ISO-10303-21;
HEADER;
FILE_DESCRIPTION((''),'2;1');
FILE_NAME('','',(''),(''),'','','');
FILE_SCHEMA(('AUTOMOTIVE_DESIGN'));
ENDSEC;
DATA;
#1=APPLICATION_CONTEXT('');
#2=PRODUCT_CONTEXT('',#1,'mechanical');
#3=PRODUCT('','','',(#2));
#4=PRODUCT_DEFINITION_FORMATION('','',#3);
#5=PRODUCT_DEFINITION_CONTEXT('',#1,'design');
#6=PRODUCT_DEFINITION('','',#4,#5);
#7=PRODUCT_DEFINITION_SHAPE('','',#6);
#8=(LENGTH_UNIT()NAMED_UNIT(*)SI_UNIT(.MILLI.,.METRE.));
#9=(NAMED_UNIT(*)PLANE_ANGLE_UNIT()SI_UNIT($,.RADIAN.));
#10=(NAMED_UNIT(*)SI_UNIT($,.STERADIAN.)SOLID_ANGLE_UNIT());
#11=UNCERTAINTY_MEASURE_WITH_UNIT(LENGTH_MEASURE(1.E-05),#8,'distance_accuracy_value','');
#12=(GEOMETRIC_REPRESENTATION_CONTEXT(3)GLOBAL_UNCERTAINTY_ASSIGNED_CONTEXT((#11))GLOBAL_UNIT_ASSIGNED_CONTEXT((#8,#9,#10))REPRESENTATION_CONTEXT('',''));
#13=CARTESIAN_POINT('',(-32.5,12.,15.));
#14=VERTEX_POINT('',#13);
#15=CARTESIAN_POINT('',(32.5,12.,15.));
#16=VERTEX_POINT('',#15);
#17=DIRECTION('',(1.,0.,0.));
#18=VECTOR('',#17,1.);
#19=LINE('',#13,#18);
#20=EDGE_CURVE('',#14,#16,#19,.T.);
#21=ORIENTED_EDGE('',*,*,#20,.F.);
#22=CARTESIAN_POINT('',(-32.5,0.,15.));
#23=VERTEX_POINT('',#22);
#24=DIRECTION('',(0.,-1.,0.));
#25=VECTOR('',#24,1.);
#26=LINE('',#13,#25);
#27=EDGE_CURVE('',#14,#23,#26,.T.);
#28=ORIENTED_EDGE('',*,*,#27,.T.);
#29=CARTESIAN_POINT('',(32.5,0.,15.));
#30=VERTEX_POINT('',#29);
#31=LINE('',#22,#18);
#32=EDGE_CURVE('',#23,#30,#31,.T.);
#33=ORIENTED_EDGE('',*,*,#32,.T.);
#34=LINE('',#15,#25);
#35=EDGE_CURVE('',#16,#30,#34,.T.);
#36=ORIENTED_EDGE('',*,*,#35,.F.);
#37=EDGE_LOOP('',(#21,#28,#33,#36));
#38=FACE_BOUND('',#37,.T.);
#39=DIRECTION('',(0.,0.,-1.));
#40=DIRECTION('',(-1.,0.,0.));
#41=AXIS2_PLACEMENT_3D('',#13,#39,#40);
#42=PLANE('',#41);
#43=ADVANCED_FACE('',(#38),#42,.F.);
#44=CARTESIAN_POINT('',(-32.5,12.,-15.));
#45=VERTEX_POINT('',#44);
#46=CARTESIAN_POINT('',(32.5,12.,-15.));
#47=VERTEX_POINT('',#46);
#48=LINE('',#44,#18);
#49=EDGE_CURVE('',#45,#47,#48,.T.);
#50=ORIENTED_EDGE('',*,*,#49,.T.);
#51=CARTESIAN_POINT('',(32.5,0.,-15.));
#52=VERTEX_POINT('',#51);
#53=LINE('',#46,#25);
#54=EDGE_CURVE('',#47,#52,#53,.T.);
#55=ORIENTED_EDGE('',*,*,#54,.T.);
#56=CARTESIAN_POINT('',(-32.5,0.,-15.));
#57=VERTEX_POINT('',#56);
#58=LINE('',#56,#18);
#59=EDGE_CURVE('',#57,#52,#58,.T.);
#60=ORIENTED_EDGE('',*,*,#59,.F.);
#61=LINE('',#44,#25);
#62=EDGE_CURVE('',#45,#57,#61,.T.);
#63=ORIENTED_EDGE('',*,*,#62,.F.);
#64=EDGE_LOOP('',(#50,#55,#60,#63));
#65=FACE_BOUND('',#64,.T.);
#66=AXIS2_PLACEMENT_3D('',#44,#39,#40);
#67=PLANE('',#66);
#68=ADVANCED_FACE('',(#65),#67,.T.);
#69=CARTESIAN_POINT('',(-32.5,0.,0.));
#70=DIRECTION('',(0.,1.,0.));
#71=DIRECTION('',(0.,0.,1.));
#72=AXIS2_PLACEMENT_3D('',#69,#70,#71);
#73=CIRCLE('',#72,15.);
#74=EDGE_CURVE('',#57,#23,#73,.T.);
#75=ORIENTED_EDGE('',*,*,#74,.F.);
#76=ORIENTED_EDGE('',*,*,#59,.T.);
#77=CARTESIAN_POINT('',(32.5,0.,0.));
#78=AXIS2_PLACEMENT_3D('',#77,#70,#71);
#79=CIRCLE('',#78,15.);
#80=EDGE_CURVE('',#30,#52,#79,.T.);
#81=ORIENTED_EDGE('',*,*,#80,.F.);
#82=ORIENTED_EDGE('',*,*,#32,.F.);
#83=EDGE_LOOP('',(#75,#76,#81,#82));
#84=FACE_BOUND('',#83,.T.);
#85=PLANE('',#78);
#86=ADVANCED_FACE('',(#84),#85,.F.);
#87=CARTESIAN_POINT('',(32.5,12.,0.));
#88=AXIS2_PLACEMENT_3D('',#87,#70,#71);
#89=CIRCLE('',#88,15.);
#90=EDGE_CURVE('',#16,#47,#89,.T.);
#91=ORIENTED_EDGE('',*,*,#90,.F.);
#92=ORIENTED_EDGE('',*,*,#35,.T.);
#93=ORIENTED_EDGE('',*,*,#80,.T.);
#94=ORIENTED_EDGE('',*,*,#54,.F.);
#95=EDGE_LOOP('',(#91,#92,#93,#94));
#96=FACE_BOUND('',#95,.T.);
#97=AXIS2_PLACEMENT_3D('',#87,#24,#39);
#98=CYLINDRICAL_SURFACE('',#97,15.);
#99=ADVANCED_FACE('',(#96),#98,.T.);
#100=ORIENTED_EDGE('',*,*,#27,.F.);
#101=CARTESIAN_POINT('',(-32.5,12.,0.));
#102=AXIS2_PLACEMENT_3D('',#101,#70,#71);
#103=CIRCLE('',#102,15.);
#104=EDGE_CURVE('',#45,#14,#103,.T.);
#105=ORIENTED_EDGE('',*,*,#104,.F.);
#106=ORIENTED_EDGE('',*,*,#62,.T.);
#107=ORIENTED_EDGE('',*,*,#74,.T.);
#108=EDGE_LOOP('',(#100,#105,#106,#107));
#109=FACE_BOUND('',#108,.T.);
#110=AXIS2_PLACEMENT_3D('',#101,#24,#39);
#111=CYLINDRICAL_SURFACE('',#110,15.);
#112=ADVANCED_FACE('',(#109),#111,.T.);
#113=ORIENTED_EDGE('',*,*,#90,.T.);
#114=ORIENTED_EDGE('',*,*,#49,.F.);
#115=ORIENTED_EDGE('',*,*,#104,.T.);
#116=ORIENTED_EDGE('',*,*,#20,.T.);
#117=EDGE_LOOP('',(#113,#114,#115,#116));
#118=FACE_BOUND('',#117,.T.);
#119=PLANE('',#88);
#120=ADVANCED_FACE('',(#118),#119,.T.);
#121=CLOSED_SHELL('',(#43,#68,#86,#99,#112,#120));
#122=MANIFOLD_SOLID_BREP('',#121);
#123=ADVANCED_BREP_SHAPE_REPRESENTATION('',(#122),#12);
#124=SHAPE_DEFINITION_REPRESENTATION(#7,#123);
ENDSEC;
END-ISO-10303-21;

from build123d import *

# Parameters (mm, degrees)
BOSS_EXTRUDE1_DEPTH = 12


with BuildPart() as part:
    # Sketch1 → Boss-Extrude1 (new body)
    with BuildSketch(Plane(origin=(0, 0, 0), x_dir=(1, 0, 0), z_dir=(0, 1, 0))):
        with BuildLine():
            Line((-32.5, 15), (32.5, 15))
            ThreePointArc((32.5, 15), (47.5, 0), (32.5, -15))
            Line((32.5, -15), (-32.5, -15))
            ThreePointArc((-32.5, -15), (-47.5, 0), (-32.5, 15))
        make_face()
    extrude(amount=BOSS_EXTRUDE1_DEPTH)


solid = part.part
